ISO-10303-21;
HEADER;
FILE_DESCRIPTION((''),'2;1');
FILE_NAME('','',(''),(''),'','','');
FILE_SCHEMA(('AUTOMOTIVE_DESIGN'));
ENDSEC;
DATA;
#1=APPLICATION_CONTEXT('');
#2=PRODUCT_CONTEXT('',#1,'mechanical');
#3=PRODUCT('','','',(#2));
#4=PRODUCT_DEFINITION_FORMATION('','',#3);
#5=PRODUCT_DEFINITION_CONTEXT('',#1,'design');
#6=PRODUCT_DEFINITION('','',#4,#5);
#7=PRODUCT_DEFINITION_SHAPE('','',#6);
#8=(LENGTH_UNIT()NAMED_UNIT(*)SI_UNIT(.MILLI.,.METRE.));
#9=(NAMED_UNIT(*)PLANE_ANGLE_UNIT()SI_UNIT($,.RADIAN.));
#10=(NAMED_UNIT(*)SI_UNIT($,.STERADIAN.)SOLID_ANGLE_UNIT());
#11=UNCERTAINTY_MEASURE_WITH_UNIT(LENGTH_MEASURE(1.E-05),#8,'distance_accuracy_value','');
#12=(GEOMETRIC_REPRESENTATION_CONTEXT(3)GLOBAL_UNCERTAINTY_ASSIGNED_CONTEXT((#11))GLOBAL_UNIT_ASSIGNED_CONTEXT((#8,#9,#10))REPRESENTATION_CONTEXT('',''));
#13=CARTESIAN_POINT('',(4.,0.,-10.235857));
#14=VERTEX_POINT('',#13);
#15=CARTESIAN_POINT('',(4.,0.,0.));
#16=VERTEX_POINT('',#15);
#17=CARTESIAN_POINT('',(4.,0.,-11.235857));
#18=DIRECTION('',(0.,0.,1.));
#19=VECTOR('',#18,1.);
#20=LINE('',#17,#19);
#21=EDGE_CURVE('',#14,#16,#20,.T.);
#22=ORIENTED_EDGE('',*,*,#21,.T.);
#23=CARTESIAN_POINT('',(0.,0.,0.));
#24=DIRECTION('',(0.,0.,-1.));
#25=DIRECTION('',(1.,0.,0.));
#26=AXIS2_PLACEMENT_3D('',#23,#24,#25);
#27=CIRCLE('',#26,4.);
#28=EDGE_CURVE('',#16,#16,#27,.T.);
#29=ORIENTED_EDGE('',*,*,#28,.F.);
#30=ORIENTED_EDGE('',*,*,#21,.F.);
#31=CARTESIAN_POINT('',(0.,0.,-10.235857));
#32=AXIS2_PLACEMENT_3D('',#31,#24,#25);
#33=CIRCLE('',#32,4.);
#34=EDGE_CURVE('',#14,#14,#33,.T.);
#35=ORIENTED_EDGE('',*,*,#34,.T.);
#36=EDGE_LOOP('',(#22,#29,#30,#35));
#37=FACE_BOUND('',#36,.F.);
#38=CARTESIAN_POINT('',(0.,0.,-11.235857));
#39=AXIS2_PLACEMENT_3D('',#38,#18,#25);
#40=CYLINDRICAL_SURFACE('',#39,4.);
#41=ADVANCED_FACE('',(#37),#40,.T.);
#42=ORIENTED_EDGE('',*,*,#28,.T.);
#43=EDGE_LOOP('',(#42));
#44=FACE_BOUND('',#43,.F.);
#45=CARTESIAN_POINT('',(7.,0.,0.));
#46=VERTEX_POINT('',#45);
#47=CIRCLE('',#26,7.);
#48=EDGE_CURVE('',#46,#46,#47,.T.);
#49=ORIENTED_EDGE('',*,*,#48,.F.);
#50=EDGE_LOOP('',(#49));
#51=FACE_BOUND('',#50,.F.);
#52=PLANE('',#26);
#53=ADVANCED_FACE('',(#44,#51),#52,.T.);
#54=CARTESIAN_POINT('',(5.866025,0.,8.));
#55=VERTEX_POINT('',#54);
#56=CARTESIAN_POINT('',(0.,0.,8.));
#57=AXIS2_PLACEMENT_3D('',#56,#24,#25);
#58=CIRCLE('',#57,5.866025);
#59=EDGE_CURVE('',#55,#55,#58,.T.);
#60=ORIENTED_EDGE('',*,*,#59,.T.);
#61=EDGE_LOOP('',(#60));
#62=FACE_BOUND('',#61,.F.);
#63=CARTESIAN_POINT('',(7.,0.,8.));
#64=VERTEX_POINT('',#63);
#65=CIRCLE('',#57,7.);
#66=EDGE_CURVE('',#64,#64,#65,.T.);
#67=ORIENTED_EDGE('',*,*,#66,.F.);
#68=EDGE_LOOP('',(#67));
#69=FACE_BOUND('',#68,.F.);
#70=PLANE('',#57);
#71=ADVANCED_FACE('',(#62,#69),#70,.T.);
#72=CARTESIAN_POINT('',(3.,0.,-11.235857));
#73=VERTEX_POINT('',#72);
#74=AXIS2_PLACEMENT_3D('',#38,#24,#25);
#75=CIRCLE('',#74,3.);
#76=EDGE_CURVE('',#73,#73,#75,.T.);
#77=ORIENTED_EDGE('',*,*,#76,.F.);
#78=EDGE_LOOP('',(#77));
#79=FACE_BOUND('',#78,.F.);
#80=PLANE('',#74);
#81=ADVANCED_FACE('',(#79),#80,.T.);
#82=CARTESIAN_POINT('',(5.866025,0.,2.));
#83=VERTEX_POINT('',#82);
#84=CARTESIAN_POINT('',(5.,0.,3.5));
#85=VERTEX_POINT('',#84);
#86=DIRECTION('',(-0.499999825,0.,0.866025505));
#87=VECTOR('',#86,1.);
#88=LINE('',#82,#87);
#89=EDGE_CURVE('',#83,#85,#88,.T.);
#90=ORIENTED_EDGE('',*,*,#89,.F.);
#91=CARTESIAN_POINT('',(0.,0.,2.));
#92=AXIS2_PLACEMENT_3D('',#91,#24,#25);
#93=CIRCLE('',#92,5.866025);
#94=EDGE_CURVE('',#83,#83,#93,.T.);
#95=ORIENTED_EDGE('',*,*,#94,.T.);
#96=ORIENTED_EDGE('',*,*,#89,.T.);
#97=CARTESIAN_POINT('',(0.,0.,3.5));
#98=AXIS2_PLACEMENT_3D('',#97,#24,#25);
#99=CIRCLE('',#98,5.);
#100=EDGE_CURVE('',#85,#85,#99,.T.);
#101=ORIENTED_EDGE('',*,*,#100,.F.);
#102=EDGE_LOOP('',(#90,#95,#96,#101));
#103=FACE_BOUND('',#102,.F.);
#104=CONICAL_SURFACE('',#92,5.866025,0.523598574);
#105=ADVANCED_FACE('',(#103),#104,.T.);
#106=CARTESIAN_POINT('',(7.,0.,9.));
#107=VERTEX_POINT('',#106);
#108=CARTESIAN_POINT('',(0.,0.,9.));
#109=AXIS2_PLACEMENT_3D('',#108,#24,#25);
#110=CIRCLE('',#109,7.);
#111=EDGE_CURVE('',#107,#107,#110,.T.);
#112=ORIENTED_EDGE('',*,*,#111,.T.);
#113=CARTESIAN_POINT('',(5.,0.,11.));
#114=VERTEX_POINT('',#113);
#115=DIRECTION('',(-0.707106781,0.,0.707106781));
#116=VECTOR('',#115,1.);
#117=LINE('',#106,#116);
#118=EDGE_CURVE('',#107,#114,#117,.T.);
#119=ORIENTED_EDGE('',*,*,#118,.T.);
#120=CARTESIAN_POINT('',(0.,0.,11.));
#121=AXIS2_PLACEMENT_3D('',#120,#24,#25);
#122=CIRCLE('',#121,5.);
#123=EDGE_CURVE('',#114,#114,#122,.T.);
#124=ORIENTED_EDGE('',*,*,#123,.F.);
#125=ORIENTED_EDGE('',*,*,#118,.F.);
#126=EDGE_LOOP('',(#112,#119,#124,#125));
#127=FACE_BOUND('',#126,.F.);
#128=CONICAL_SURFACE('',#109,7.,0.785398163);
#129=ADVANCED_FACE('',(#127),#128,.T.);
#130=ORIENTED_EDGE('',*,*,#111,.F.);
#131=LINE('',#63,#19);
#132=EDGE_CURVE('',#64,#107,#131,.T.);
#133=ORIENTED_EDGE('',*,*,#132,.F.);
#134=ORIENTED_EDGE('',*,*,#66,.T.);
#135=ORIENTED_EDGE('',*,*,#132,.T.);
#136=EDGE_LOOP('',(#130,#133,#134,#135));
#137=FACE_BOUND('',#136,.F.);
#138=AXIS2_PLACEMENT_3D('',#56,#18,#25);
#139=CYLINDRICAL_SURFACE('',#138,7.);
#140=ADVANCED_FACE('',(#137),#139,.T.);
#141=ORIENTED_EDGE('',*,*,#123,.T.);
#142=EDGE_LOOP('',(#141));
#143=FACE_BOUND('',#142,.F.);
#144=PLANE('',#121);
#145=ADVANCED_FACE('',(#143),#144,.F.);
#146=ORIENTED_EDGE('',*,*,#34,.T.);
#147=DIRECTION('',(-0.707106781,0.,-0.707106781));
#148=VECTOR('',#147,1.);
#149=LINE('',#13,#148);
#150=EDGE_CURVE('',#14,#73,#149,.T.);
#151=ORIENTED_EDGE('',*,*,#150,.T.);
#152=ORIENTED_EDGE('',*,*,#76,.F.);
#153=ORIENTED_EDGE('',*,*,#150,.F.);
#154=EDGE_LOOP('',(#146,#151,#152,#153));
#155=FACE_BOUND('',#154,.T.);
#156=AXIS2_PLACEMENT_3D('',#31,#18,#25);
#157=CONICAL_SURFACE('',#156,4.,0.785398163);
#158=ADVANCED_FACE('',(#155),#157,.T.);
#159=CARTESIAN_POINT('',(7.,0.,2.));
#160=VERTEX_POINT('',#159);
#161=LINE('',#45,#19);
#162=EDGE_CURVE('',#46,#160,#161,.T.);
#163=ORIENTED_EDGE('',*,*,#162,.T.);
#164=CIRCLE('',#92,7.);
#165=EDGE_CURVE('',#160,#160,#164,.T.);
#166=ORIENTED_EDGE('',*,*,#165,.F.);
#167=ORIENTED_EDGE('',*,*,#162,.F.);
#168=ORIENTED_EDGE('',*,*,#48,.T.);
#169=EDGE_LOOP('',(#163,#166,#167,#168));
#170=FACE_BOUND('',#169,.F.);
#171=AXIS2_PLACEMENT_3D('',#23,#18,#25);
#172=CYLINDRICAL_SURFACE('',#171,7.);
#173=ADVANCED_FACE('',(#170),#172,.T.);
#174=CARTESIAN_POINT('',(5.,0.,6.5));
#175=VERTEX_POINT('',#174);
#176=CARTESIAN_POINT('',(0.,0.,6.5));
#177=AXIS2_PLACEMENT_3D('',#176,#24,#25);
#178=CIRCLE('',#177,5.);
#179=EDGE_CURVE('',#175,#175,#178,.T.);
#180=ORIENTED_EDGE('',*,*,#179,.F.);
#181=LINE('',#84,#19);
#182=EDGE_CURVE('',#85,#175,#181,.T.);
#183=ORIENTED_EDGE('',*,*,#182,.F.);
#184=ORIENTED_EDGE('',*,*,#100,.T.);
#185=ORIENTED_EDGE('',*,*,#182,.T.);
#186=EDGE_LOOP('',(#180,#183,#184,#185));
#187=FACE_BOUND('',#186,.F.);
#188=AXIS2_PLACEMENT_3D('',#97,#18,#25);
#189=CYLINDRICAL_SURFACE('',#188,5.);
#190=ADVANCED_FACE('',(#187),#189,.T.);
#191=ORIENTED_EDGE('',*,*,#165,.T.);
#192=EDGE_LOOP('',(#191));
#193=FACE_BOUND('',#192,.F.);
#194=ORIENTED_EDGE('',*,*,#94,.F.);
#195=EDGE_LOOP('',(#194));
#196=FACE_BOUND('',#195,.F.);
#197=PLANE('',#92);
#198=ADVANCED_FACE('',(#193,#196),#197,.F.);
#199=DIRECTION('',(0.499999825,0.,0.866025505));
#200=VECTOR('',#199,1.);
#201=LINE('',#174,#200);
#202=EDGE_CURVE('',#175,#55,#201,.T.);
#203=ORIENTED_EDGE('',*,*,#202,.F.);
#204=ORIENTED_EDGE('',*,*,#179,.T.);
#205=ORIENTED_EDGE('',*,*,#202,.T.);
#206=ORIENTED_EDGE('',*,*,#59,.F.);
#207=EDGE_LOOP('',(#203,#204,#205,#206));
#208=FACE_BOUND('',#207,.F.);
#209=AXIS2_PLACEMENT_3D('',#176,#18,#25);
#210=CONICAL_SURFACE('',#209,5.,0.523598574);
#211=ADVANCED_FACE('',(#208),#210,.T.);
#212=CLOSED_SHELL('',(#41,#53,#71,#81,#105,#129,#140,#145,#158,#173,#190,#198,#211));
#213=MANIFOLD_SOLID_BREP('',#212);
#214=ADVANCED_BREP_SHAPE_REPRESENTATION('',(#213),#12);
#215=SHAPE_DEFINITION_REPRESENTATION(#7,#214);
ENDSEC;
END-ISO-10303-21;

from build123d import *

# Parameters (mm, degrees)
F2_SIZE = 2
F3_SIZE = 1


with BuildPart() as f1:
    # F0 (on Front) → F1 (revolve)
    with BuildSketch(Plane.XZ):
        Polygon((0, 11), (0, -11.235857), (4, -11.235857), (4, 0), (7, 0), (7, 2), (5.866025, 2), (5, 3.5), (5, 6.5), (5.866025, 8), (7, 8), (7, 11), align=None)
    revolve(axis=Axis((0, 0, -0.117929), (0, 0, -1)))

    # F2
    f2_edges = [f1.edges().sort_by_distance(p)[0] for p in [
        (-7, 0, 11),
    ]]
    chamfer(f2_edges, length=F2_SIZE)

    # F3
    f3_edges = [f1.edges().sort_by_distance(p)[0] for p in [
        (-4, 0, -11.235857),
    ]]
    chamfer(f3_edges, length=F3_SIZE)


solid = f1.part
